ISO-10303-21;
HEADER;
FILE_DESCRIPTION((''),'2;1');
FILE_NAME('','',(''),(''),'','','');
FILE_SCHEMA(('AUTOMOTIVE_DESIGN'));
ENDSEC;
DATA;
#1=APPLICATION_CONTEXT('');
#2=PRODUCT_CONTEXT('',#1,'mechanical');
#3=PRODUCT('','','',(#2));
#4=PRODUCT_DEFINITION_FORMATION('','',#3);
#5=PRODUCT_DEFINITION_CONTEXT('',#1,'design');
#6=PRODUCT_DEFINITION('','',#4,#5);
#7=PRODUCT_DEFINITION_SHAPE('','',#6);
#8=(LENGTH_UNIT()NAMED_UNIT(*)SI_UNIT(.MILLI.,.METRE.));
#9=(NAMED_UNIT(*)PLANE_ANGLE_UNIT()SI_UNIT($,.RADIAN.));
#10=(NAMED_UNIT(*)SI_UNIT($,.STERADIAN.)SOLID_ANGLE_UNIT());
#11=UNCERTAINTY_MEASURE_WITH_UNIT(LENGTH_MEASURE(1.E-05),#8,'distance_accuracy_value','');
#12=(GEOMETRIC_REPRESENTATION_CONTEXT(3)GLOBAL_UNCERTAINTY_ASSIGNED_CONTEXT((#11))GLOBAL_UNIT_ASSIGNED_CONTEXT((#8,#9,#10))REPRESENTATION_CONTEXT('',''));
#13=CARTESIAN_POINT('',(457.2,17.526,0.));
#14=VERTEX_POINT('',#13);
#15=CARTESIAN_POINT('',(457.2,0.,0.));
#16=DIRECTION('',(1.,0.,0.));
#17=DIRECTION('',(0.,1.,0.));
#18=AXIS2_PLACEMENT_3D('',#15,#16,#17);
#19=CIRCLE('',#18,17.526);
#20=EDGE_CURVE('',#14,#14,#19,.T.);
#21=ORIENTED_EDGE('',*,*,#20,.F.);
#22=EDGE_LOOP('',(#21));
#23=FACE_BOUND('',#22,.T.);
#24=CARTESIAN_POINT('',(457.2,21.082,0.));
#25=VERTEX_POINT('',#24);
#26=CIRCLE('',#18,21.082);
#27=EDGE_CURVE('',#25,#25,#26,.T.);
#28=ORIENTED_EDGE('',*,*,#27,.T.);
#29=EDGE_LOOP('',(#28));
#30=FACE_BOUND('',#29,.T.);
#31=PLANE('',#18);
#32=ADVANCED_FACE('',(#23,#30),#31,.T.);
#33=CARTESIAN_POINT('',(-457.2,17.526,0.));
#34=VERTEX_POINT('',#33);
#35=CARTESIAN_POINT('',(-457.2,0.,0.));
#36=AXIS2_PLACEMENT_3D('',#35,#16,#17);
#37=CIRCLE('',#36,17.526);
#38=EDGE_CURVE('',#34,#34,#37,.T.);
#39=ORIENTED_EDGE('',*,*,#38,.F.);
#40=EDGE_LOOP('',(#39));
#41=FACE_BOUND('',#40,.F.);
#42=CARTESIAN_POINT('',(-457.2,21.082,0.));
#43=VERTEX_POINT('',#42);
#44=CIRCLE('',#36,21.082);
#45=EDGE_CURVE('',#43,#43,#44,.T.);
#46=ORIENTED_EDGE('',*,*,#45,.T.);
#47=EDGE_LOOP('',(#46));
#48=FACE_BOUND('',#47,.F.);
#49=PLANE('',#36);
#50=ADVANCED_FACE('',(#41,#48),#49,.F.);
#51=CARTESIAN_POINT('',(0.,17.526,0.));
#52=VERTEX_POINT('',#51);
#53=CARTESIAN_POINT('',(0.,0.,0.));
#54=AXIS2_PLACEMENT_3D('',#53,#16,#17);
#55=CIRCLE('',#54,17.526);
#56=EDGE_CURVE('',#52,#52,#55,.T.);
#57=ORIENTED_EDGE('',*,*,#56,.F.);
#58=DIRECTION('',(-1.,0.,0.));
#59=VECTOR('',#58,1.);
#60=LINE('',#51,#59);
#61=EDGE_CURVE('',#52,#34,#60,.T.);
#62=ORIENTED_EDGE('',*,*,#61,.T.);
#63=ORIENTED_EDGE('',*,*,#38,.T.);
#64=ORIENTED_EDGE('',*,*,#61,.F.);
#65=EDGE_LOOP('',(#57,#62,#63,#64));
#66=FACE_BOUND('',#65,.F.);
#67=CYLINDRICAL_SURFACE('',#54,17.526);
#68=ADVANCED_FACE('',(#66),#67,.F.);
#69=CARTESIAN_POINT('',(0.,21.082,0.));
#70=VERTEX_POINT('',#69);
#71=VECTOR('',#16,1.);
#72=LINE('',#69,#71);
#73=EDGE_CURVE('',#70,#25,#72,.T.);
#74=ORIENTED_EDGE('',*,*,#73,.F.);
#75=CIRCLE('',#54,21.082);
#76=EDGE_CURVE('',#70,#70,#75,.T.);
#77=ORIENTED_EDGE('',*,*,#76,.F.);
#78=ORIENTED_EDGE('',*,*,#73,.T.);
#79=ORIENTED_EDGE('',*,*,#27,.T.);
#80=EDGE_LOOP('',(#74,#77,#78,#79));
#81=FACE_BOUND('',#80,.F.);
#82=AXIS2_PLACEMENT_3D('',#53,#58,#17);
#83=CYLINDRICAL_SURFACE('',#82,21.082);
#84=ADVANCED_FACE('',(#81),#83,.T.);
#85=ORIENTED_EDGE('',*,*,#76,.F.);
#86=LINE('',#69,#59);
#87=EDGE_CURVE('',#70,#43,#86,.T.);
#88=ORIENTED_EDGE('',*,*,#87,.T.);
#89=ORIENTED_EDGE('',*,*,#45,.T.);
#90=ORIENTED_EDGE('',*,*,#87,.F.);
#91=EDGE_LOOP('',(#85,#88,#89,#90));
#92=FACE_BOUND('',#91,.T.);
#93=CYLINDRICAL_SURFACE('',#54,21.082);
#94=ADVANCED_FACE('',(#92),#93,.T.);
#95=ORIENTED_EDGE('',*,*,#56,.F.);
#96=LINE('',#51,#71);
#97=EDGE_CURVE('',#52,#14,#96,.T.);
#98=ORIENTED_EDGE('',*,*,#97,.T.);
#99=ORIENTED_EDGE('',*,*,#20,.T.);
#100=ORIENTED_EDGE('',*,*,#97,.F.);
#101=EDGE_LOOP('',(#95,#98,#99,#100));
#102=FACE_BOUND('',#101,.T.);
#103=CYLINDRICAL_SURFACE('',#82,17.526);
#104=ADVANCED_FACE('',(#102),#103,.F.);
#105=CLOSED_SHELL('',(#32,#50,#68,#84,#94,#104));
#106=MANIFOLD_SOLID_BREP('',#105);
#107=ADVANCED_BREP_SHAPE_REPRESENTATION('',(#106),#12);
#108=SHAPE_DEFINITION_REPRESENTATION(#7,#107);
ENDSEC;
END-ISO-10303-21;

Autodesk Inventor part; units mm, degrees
ref_plane "YZ Plane" through (0, 0, 0) normal (1, 0, 0) x (0, 1, 0)
ref_plane "XZ Plane" through (0, 0, 0) normal (0, 1, 0) x (-1, 0, 0)
ref_plane "XY Plane" through (0, 0, 0) normal (0, 0, 1) x (1, 0, 0)
sketch "Sketch1" plane through (0, 0, 0) normal (1, 0, 0) x (0, 1, 0)
  circle A0 centre (0, 0) radius 21.082
  circle A1 centre (0, 0) radius 17.526
  dimension "d0" = 42.164
  dimension "d1" = 35.052
extrude "Extrusion1" add sketch "Sketch1" along normal mid plane 914.4
properties part number "Ground_Tracker_CrossTube" material "PVC-Piping"
